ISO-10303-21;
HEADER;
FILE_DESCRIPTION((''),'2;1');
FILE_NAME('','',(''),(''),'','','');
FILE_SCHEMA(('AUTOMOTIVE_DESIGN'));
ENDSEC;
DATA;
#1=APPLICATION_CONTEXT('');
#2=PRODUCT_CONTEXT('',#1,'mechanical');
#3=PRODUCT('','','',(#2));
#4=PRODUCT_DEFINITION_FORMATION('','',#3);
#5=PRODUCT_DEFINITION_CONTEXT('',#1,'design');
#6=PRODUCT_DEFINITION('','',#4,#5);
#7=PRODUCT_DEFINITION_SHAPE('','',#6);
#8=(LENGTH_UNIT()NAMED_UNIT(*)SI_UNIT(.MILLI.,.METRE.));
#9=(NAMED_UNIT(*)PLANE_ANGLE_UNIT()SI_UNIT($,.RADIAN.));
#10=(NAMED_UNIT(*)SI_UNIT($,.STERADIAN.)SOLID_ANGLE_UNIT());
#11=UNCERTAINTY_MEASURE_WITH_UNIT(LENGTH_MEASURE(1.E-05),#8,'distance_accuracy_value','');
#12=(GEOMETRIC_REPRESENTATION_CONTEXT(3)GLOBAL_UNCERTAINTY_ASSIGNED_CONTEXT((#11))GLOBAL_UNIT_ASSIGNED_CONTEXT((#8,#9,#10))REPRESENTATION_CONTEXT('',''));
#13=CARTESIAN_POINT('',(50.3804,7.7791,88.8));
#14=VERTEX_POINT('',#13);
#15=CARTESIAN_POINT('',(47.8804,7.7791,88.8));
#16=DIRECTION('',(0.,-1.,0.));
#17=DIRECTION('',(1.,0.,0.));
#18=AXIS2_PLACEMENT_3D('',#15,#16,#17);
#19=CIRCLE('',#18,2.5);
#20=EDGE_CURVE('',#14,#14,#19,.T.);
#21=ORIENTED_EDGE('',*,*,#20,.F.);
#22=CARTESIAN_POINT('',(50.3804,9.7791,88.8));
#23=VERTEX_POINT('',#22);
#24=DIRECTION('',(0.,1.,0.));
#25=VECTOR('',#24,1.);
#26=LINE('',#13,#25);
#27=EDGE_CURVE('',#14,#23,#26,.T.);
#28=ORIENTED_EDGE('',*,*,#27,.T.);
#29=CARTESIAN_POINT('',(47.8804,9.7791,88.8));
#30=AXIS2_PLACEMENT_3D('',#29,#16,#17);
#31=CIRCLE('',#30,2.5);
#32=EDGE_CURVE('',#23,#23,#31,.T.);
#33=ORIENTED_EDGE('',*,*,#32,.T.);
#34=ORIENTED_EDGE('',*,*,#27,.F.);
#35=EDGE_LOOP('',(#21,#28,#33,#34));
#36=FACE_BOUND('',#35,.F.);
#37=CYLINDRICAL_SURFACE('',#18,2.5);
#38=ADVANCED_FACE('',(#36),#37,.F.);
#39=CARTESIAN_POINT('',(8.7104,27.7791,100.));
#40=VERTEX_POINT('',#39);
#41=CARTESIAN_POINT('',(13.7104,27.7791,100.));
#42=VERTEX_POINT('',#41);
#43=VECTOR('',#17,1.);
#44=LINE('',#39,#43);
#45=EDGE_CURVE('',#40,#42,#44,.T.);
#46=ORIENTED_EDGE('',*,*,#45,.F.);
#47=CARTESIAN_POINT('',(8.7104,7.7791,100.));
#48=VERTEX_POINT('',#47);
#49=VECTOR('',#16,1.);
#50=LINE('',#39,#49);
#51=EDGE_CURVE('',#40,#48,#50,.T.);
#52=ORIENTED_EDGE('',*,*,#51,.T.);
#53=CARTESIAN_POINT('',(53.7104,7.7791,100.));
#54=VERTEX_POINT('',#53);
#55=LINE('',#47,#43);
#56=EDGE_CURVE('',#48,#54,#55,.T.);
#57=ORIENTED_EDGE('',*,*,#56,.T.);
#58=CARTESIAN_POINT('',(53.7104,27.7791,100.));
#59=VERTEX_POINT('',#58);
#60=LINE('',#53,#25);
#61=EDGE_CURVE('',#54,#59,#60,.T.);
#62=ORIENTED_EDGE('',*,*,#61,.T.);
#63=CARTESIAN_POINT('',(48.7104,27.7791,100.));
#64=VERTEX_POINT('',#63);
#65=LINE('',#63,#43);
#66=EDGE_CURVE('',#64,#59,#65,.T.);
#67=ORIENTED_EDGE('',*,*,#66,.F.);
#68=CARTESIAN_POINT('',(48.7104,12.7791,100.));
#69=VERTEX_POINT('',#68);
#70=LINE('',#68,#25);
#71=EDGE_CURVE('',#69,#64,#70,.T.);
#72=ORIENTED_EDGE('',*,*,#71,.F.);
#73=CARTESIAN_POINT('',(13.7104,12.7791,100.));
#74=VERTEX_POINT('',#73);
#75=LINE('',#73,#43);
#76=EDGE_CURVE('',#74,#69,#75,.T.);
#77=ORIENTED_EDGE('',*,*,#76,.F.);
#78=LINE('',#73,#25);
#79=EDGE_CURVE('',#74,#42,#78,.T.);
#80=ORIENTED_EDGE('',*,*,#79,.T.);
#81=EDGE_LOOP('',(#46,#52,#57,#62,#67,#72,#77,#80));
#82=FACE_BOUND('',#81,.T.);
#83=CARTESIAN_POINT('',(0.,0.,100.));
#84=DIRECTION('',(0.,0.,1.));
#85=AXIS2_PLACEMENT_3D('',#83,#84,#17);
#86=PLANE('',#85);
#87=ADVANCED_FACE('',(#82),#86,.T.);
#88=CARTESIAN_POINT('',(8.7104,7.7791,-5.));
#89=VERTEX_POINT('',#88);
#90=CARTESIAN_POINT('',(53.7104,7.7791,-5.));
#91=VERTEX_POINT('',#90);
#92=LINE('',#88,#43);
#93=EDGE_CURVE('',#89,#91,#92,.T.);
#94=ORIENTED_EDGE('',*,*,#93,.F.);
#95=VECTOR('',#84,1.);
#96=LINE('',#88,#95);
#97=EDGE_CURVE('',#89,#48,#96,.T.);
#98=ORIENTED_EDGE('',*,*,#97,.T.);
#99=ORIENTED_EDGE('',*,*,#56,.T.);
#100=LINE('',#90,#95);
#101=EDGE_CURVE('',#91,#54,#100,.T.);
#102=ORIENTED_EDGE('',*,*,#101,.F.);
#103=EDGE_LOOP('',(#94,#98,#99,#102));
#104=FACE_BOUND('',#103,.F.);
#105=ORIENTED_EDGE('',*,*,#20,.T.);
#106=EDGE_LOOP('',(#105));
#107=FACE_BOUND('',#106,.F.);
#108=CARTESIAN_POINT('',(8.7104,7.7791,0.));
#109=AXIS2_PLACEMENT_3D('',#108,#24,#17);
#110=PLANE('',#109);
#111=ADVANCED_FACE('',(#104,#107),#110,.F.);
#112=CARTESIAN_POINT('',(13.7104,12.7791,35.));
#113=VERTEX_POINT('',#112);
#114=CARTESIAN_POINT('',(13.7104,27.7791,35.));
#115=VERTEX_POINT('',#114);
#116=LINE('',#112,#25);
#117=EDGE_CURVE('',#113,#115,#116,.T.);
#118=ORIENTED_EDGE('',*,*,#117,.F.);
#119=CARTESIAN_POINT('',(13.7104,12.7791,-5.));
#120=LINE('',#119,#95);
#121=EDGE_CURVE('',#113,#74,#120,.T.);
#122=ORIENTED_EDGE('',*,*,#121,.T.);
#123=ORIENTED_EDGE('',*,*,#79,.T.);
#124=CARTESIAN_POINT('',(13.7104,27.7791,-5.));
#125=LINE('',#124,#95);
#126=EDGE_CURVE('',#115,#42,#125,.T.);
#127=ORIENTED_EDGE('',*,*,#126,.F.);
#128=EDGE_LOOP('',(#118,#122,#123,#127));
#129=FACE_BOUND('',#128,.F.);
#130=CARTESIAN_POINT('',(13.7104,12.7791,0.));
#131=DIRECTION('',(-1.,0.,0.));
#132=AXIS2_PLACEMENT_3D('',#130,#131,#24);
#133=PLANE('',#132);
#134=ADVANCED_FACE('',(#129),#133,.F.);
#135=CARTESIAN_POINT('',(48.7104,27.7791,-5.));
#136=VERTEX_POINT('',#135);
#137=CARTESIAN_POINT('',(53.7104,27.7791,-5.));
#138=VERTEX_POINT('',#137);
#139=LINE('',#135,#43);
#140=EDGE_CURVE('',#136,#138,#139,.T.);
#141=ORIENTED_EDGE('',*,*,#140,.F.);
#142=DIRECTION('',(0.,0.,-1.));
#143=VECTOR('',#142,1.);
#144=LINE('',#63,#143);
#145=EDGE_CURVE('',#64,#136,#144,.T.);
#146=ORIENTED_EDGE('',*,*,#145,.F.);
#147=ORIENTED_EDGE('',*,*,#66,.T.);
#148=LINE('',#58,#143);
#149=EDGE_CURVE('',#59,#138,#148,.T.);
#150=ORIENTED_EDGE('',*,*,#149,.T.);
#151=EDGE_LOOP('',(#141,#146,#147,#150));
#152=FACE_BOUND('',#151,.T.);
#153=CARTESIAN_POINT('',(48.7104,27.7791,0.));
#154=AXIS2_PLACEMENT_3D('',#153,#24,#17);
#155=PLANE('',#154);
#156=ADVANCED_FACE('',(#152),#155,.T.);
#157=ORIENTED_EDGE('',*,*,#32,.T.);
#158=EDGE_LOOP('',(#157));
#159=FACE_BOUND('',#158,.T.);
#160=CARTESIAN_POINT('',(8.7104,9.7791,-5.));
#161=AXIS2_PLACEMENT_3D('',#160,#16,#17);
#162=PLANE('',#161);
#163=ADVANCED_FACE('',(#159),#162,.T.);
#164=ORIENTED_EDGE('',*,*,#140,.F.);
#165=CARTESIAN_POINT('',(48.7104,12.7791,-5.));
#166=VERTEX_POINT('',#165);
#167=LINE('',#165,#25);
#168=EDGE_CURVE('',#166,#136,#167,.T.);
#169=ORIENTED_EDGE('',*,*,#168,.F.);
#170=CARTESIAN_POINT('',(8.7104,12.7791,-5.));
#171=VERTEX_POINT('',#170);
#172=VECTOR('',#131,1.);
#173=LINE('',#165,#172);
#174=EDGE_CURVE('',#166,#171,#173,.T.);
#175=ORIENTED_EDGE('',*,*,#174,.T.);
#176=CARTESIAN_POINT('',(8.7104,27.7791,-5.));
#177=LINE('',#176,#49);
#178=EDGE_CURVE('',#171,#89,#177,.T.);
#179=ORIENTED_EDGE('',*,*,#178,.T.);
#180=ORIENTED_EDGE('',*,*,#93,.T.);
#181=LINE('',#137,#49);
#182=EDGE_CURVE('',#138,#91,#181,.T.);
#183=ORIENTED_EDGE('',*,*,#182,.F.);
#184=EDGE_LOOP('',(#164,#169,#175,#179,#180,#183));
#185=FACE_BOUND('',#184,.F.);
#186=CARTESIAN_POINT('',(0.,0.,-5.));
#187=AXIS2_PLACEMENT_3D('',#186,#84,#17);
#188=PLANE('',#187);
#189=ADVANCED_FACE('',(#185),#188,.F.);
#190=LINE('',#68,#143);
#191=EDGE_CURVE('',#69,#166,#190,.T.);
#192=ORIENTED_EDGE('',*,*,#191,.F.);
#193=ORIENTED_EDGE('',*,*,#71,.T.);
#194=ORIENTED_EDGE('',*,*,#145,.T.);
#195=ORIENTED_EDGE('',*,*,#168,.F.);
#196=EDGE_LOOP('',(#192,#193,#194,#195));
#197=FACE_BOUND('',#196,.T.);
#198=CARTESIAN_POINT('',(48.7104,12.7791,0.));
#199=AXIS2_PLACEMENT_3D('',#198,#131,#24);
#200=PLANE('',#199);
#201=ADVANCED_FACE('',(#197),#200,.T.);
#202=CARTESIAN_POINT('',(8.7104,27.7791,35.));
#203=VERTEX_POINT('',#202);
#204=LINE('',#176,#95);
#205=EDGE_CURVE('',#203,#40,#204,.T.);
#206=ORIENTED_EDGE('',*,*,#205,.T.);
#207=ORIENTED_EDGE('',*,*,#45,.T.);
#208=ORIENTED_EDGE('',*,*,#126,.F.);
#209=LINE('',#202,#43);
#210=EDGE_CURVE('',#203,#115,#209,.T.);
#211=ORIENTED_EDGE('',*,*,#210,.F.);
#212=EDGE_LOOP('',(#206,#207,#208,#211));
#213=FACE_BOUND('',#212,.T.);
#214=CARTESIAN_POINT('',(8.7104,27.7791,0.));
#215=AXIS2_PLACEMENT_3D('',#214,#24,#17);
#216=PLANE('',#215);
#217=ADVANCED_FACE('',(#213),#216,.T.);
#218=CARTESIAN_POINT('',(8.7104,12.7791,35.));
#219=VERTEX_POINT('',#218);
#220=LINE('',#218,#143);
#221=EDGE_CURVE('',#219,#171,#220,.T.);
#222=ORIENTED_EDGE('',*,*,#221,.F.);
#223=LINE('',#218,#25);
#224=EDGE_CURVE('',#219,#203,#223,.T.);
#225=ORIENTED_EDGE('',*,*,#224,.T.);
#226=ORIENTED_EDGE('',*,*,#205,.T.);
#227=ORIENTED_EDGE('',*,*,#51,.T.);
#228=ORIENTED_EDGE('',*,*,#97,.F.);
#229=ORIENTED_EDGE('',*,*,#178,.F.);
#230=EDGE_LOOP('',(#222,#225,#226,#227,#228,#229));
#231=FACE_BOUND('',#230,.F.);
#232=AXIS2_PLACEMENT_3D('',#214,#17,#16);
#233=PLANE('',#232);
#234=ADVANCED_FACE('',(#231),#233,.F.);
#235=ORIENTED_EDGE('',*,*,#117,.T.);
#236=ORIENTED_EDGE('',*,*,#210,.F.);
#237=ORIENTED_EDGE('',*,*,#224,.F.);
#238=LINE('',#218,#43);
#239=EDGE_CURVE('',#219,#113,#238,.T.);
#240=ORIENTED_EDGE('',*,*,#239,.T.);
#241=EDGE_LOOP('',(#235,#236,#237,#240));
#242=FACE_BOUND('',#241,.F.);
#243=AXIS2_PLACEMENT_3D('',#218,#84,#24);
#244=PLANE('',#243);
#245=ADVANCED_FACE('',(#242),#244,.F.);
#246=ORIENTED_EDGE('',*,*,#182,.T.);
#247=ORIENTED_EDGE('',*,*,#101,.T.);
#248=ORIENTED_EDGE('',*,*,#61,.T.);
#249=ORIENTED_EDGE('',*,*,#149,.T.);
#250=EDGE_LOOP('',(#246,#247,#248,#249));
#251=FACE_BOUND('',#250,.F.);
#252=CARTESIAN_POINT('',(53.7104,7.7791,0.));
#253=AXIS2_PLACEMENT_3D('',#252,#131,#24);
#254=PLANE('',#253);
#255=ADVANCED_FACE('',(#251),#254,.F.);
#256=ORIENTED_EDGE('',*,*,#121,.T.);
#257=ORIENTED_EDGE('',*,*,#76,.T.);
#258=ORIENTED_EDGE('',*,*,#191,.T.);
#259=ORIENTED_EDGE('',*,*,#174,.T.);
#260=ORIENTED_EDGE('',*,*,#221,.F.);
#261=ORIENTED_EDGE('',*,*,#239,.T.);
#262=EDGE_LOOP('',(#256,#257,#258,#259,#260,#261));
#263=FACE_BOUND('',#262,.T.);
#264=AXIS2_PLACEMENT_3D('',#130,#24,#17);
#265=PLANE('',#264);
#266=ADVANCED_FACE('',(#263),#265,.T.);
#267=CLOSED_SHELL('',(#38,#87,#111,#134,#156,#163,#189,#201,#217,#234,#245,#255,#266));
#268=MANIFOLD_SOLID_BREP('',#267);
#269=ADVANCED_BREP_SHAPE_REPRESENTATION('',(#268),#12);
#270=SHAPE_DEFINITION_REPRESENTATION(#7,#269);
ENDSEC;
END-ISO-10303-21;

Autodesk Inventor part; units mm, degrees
ref_plane "YZ Plane" through (0, 0, 0) normal (1, 0, 0) x (0, 1, 0)
ref_plane "XZ Plane" through (0, 0, 0) normal (0, 1, 0) x (-1, 0, 0)
ref_plane "XY Plane" through (0, 0, 0) normal (0, 0, 1) x (1, 0, 0)
sketch "Sketch1" plane through (0, 0, 0) normal (0, 0, 1) x (1, 0, 0)
  line L0 (13.7104, 12.7791) -> (48.7104, 12.7791)
  line L1 (48.7104, 12.7791) -> (48.7104, 27.7791)
  line L2 (13.7104, 12.7791) -> (13.7104, 27.7791)
  line L3 (8.7104, 27.7791) -> (8.7104, 7.7791)
  line L4 (8.7104, 7.7791) -> (53.7104, 7.7791)
  line L5 (53.7104, 7.7791) -> (53.7104, 27.7791)
  line L6 (8.7104, 27.7791) -> (13.7104, 27.7791)
  line L7 (48.7104, 27.7791) -> (53.7104, 27.7791)
  point P0 (0, 0)
  dimension "d0" = 35
  dimension "d1" = 15
  dimension "d2" = 15
  dimension "d3" = 5
extrude "Extrusion1" add sketch "Sketch1" along normal blind 100 and the other way blind 5
sketch "Sketch2" plane through (8.7104, 7.7791, -5) normal (0, -1, 0) x (1, 0, 0)
  circle A0 centre (39.17, 93.8) radius 2.5
  line L0 (45, 0) -> (45, 105) projected
  line L1 (0, 105) -> (45, 105) projected
  point P0 (-8.7104, 5)
  dimension "d6" = 5
  dimension "d7" = 5.83
  dimension "d8" = 11.2
extrude "Extrusion2" cut sketch "Sketch2" against normal blind 2
sketch "Sketch3" plane through (8.7104, 7.7791, 100) normal (-1, 0, 0) x (0, 0, 1)
  line L0 (-105, 20) -> (-105, 5) projected
  line L1 (-105, 5) -> (0, 5) projected
  line L2 (-105, 20) -> (-105, 5)
  line L3 (-105, 5) -> (-65, 5)
  line L4 (-65, 5) -> (-65, 20)
  line L5 (-65, 20) -> (-105, 20)
  point P0 (-100, -7.7791)
  dimension "d13" = 40
extrude "Extrusion3" cut sketch "Sketch3" against normal blind 10
sketch "Sketch4" plane through (0, 0, -5) normal (0, 0, -1) x (-1, 0, 0)
  line L0 (-53.7104, 27.7791) -> (-53.7104, 7.7791) projected
  line L1 (-53.7104, 7.7791) -> (-8.7104, 7.7791)
  line L2 (-17.7104, 42.7791) -> (-17.7104, 46.7534)
  line L3 (-17.7104, 46.7534) -> (-53.7104, 46.7534)
  line L4 (-53.7104, 46.7534) -> (-53.7104, 7.7791)
  line L5 (-48.7104, 12.7791) -> (-13.7104, 12.7791)
  line L6 (-10.7104, 42.7791) -> (-10.7104, 41.7534)
  line L7 (-10.7104, 41.7534) -> (-48.7104, 41.7534)
  line L8 (-48.7104, 41.7534) -> (-48.7104, 12.7791)
  line L9 (-17.7104, 42.7791) -> (-10.7104, 42.7791)
  line L10 (-8.7104, 12.7791) -> (-13.7104, 12.7791) projected
  line L11 (-13.7104, 12.7791) -> (-8.7104, 12.7791)
  line L12 (-8.7104, 12.7791) -> (-8.7104, 7.7791)
  line L13 (-17.7104, 42.7791) -> (-17.7104, 41.7534)
  point P0 (0, 0)
  point P1 (-17.7104, 44.7534)
  dimension "d16" = 36
  dimension "d17" = 40
  dimension "d18" = 5
  dimension "d19" = 30
ref_plane "Work Plane1" through (0, 0, -1) normal (0, 0, -1) x (-1, 0, 0)
sketch "Sketch5" plane through (0, 0, -1) normal (0, 0, -1) x (-1, 0, 0)
  line L0 (-8.7104, 12.7791) -> (-13.7104, 12.7791) projected
  line L1 (-48.7104, 27.7791) -> (-48.7104, 12.7791) projected
  line L2 (-8.7104, 12.7791) -> (-8.7104, 7.7791) projected
  line L3 (-8.7104, 12.7791) -> (-8.7104, 7.7791)
  line L4 (-8.7104, 7.7791) -> (-53.7104, 7.7791) projected
  line L5 (-8.7104, 7.7791) -> (-53.7104, 7.7791)
  line L6 (-53.7104, 7.7791) -> (-53.7104, 12.7791)
  line L7 (-53.7104, 12.7791) -> (-8.7104, 12.7791)
  point P0 (0, 0)
  point P1 (-48.7104, 41.7534)
  point P2 (-10.7104, 9.7791)
extrude "Extrusion6" add sketch "Sketch5" along normal blind 4
equation "\"BendRadius\" = Thickness"
equation "\"BendReliefWidth\" = Thickness"
equation "\"BendReliefDepth\" = 0.5 * Thickness"
equation "\"CornerReliefSize\" = 4 * Thickness"
equation "\"MinimumRemnant\" = 2 * Thickness"
equation "\"TransitionRadius\" = BendRadius"
equation "\"JacobiRadiusSize\" = BendRadius"
equation "\"Thickness\" = 0.5"
properties part number "inslide"
